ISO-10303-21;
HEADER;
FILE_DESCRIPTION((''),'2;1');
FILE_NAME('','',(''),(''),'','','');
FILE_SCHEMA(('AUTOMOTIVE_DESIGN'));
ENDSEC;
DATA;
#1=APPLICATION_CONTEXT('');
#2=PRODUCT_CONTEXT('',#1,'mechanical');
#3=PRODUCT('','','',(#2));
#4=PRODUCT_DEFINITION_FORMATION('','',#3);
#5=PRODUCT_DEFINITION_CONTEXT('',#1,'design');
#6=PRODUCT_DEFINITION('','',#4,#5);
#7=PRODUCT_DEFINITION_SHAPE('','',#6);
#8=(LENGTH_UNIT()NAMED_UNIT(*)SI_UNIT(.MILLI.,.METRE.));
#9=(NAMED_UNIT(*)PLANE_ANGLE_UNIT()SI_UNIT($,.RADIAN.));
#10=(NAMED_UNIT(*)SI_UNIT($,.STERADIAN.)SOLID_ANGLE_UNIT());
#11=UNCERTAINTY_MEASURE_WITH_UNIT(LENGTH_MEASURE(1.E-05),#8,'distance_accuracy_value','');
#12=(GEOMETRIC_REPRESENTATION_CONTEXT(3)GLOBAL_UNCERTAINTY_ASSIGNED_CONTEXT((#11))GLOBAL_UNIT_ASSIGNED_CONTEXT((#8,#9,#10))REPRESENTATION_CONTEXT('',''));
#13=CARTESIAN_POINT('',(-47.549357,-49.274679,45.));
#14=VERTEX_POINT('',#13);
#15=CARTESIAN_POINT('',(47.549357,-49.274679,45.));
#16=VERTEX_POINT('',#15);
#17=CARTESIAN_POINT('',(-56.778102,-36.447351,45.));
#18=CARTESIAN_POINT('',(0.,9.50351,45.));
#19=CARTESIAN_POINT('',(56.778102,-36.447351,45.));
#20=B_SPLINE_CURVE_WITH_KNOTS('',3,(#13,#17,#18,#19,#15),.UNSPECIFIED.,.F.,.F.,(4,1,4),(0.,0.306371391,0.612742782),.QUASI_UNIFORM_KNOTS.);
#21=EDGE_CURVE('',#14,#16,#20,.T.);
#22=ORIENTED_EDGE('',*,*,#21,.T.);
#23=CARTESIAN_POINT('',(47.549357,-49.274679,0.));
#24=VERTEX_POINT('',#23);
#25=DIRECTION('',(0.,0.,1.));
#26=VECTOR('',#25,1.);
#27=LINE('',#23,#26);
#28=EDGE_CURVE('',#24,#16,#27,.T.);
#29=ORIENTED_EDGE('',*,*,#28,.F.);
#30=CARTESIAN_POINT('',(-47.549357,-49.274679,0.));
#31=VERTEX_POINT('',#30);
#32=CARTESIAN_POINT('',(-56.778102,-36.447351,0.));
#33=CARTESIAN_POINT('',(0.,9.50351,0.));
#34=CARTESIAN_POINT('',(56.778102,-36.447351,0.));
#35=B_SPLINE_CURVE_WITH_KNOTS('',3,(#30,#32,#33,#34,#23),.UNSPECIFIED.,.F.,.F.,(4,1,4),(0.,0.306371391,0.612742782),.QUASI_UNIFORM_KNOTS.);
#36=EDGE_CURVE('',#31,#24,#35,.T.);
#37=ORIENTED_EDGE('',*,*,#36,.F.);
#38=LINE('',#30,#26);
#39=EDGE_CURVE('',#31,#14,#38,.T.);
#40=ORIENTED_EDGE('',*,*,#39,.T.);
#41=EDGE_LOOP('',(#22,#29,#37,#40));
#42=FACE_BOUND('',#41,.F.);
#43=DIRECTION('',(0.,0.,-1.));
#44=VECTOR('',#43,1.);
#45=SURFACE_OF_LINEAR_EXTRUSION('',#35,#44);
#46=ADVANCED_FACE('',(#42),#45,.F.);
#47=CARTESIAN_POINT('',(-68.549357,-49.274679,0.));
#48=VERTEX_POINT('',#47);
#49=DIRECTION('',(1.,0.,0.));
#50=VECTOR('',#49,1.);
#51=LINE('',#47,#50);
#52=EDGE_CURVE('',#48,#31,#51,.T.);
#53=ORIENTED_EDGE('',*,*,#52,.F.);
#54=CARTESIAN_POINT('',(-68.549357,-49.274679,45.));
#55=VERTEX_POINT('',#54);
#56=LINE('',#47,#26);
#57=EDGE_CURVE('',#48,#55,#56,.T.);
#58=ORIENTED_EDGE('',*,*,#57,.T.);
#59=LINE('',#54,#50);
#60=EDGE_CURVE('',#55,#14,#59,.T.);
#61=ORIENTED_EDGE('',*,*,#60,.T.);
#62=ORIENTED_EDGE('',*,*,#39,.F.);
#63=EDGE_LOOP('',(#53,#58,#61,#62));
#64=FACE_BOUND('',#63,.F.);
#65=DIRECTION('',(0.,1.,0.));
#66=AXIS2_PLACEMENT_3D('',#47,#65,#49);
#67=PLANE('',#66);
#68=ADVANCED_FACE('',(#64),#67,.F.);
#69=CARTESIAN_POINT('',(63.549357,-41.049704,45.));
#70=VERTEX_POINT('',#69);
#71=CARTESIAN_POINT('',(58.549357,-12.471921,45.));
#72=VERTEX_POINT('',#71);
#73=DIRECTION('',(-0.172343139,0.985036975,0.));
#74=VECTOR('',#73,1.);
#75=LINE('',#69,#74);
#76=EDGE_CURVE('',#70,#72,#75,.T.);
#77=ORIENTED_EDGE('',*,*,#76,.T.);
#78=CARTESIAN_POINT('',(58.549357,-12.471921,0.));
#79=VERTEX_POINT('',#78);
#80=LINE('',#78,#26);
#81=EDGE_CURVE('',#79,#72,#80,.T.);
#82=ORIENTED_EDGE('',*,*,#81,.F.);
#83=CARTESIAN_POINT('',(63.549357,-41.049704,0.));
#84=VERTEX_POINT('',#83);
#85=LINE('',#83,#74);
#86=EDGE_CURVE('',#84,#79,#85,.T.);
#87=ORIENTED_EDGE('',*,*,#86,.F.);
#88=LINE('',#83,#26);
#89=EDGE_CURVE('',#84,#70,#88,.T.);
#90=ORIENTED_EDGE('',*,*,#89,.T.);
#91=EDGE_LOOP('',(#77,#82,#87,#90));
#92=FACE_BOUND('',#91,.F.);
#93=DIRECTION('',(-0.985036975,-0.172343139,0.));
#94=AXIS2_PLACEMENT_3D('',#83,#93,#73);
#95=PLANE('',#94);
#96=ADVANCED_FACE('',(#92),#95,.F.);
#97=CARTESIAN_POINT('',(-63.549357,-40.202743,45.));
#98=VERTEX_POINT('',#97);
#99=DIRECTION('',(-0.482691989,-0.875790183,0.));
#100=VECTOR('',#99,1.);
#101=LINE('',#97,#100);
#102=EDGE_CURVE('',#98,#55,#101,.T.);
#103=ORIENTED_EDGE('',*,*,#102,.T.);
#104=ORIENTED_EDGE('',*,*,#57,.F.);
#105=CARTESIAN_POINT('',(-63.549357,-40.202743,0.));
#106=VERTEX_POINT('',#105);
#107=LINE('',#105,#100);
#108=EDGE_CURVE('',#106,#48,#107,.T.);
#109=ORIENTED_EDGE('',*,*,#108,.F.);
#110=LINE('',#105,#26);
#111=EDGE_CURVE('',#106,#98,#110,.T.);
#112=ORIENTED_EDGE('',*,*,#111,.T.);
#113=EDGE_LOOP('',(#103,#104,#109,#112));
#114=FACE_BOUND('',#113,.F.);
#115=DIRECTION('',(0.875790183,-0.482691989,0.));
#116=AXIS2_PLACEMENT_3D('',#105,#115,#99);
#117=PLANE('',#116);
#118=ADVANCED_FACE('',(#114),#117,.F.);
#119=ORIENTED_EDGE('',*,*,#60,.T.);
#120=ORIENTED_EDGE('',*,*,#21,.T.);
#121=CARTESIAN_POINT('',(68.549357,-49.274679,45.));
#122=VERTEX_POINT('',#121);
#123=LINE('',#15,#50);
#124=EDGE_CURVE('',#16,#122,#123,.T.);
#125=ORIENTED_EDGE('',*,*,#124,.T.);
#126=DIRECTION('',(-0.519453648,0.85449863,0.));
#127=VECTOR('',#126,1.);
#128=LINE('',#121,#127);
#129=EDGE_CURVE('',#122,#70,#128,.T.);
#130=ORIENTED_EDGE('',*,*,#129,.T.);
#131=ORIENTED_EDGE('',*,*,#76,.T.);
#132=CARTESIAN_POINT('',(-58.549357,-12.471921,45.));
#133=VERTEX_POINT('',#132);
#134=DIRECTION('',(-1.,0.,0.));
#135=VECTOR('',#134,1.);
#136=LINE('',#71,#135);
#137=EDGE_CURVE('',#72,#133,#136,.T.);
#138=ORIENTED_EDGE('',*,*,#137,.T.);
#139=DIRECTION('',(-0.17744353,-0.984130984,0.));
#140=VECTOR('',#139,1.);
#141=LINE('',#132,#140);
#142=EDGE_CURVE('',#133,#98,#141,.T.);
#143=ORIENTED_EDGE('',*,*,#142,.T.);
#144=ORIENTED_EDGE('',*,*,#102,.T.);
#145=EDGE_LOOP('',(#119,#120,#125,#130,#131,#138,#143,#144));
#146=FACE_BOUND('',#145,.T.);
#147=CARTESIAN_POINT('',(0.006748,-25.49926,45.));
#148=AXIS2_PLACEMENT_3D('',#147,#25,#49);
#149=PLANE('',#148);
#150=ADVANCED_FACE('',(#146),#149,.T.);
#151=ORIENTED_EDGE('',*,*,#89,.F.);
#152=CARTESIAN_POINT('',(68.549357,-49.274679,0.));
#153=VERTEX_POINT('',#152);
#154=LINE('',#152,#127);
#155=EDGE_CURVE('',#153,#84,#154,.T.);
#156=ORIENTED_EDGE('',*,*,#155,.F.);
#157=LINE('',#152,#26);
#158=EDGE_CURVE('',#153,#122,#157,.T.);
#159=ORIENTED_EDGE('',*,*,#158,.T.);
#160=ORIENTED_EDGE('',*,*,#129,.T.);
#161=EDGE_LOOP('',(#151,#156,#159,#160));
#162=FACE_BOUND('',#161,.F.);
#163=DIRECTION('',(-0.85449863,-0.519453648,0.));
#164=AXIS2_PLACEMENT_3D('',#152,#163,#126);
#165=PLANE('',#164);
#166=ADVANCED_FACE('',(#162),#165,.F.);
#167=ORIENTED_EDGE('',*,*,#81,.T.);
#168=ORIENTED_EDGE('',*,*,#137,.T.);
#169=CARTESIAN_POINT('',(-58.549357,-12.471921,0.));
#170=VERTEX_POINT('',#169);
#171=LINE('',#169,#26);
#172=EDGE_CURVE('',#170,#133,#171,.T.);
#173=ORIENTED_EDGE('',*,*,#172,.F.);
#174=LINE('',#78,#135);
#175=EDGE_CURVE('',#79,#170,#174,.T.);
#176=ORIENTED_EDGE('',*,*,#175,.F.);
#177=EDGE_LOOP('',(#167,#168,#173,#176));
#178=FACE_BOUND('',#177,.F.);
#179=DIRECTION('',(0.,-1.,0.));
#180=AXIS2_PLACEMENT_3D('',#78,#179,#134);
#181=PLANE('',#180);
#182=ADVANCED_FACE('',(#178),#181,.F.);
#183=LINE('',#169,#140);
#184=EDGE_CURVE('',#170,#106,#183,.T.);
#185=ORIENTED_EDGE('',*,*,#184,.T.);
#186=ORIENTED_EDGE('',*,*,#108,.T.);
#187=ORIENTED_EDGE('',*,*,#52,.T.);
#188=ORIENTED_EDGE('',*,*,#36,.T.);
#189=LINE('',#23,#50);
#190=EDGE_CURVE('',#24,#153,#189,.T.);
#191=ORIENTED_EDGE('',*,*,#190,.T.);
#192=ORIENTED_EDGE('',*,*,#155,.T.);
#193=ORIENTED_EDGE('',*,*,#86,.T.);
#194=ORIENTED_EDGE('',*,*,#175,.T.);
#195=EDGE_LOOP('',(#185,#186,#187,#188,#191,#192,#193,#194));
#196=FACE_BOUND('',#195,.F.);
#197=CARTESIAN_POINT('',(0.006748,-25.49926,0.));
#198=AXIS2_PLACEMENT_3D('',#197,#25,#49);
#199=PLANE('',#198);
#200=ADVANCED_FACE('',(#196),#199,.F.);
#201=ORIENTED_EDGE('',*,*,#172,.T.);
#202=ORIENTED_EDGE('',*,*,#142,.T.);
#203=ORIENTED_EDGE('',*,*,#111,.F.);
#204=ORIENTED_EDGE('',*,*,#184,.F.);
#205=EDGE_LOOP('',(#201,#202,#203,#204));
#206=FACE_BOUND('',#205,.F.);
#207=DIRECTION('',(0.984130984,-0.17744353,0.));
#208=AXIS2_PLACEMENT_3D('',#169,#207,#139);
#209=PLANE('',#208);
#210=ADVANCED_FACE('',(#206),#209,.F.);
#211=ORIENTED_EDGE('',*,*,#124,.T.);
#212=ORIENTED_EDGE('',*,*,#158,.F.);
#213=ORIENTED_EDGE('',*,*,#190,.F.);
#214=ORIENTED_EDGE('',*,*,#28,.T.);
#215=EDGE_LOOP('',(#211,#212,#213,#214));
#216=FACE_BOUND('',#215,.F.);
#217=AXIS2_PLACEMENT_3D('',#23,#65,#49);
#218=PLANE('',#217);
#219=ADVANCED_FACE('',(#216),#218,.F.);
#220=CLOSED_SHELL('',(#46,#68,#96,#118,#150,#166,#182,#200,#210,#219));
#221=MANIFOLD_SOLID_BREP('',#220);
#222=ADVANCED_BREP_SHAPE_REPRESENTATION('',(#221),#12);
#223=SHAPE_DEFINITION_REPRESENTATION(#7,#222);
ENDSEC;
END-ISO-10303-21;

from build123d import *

# Parameters (mm, degrees)
F1_DEPTH = 45


with BuildPart() as f1:
    # F0 (on Top) → F1 (new body)
    with BuildSketch(Plane.XY):
        with BuildLine():
            Line((47.5493574643, -49.2746787322), (68.5493574643, -49.2746787322))
            Line((68.5493574643, -49.2746787322), (63.5493574643, -41.0497039557))
            Line((63.5493574643, -41.0497039557), (58.5493574643, -12.4719206765))
            Line((58.5493574643, -12.4719206765), (-58.5493574643, -12.4719206765))
            Line((-58.5493574643, -12.4719206765), (-63.5493574643, -40.2027425593))
            Line((-63.5493574643, -40.2027425593), (-68.5493574643, -49.2746787322))
            Line((-68.5493574643, -49.2746787322), (-47.5493574643, -49.2746787322))
            add(Edge.make_bspline(
                [(-47.5493574643, -49.2746787322), (-56.7781019223, -36.4473512464), (0, 9.5035098934), (56.7781019223, -36.4473512464), (47.5493574643, -49.2746787322)],
                knots=[0, 0, 0, 0, 0.3063713911, 0.6127427822, 0.6127427822, 0.6127427822, 0.6127427822], degree=3))
        make_face()
    extrude(amount=F1_DEPTH)


solid = f1.part
